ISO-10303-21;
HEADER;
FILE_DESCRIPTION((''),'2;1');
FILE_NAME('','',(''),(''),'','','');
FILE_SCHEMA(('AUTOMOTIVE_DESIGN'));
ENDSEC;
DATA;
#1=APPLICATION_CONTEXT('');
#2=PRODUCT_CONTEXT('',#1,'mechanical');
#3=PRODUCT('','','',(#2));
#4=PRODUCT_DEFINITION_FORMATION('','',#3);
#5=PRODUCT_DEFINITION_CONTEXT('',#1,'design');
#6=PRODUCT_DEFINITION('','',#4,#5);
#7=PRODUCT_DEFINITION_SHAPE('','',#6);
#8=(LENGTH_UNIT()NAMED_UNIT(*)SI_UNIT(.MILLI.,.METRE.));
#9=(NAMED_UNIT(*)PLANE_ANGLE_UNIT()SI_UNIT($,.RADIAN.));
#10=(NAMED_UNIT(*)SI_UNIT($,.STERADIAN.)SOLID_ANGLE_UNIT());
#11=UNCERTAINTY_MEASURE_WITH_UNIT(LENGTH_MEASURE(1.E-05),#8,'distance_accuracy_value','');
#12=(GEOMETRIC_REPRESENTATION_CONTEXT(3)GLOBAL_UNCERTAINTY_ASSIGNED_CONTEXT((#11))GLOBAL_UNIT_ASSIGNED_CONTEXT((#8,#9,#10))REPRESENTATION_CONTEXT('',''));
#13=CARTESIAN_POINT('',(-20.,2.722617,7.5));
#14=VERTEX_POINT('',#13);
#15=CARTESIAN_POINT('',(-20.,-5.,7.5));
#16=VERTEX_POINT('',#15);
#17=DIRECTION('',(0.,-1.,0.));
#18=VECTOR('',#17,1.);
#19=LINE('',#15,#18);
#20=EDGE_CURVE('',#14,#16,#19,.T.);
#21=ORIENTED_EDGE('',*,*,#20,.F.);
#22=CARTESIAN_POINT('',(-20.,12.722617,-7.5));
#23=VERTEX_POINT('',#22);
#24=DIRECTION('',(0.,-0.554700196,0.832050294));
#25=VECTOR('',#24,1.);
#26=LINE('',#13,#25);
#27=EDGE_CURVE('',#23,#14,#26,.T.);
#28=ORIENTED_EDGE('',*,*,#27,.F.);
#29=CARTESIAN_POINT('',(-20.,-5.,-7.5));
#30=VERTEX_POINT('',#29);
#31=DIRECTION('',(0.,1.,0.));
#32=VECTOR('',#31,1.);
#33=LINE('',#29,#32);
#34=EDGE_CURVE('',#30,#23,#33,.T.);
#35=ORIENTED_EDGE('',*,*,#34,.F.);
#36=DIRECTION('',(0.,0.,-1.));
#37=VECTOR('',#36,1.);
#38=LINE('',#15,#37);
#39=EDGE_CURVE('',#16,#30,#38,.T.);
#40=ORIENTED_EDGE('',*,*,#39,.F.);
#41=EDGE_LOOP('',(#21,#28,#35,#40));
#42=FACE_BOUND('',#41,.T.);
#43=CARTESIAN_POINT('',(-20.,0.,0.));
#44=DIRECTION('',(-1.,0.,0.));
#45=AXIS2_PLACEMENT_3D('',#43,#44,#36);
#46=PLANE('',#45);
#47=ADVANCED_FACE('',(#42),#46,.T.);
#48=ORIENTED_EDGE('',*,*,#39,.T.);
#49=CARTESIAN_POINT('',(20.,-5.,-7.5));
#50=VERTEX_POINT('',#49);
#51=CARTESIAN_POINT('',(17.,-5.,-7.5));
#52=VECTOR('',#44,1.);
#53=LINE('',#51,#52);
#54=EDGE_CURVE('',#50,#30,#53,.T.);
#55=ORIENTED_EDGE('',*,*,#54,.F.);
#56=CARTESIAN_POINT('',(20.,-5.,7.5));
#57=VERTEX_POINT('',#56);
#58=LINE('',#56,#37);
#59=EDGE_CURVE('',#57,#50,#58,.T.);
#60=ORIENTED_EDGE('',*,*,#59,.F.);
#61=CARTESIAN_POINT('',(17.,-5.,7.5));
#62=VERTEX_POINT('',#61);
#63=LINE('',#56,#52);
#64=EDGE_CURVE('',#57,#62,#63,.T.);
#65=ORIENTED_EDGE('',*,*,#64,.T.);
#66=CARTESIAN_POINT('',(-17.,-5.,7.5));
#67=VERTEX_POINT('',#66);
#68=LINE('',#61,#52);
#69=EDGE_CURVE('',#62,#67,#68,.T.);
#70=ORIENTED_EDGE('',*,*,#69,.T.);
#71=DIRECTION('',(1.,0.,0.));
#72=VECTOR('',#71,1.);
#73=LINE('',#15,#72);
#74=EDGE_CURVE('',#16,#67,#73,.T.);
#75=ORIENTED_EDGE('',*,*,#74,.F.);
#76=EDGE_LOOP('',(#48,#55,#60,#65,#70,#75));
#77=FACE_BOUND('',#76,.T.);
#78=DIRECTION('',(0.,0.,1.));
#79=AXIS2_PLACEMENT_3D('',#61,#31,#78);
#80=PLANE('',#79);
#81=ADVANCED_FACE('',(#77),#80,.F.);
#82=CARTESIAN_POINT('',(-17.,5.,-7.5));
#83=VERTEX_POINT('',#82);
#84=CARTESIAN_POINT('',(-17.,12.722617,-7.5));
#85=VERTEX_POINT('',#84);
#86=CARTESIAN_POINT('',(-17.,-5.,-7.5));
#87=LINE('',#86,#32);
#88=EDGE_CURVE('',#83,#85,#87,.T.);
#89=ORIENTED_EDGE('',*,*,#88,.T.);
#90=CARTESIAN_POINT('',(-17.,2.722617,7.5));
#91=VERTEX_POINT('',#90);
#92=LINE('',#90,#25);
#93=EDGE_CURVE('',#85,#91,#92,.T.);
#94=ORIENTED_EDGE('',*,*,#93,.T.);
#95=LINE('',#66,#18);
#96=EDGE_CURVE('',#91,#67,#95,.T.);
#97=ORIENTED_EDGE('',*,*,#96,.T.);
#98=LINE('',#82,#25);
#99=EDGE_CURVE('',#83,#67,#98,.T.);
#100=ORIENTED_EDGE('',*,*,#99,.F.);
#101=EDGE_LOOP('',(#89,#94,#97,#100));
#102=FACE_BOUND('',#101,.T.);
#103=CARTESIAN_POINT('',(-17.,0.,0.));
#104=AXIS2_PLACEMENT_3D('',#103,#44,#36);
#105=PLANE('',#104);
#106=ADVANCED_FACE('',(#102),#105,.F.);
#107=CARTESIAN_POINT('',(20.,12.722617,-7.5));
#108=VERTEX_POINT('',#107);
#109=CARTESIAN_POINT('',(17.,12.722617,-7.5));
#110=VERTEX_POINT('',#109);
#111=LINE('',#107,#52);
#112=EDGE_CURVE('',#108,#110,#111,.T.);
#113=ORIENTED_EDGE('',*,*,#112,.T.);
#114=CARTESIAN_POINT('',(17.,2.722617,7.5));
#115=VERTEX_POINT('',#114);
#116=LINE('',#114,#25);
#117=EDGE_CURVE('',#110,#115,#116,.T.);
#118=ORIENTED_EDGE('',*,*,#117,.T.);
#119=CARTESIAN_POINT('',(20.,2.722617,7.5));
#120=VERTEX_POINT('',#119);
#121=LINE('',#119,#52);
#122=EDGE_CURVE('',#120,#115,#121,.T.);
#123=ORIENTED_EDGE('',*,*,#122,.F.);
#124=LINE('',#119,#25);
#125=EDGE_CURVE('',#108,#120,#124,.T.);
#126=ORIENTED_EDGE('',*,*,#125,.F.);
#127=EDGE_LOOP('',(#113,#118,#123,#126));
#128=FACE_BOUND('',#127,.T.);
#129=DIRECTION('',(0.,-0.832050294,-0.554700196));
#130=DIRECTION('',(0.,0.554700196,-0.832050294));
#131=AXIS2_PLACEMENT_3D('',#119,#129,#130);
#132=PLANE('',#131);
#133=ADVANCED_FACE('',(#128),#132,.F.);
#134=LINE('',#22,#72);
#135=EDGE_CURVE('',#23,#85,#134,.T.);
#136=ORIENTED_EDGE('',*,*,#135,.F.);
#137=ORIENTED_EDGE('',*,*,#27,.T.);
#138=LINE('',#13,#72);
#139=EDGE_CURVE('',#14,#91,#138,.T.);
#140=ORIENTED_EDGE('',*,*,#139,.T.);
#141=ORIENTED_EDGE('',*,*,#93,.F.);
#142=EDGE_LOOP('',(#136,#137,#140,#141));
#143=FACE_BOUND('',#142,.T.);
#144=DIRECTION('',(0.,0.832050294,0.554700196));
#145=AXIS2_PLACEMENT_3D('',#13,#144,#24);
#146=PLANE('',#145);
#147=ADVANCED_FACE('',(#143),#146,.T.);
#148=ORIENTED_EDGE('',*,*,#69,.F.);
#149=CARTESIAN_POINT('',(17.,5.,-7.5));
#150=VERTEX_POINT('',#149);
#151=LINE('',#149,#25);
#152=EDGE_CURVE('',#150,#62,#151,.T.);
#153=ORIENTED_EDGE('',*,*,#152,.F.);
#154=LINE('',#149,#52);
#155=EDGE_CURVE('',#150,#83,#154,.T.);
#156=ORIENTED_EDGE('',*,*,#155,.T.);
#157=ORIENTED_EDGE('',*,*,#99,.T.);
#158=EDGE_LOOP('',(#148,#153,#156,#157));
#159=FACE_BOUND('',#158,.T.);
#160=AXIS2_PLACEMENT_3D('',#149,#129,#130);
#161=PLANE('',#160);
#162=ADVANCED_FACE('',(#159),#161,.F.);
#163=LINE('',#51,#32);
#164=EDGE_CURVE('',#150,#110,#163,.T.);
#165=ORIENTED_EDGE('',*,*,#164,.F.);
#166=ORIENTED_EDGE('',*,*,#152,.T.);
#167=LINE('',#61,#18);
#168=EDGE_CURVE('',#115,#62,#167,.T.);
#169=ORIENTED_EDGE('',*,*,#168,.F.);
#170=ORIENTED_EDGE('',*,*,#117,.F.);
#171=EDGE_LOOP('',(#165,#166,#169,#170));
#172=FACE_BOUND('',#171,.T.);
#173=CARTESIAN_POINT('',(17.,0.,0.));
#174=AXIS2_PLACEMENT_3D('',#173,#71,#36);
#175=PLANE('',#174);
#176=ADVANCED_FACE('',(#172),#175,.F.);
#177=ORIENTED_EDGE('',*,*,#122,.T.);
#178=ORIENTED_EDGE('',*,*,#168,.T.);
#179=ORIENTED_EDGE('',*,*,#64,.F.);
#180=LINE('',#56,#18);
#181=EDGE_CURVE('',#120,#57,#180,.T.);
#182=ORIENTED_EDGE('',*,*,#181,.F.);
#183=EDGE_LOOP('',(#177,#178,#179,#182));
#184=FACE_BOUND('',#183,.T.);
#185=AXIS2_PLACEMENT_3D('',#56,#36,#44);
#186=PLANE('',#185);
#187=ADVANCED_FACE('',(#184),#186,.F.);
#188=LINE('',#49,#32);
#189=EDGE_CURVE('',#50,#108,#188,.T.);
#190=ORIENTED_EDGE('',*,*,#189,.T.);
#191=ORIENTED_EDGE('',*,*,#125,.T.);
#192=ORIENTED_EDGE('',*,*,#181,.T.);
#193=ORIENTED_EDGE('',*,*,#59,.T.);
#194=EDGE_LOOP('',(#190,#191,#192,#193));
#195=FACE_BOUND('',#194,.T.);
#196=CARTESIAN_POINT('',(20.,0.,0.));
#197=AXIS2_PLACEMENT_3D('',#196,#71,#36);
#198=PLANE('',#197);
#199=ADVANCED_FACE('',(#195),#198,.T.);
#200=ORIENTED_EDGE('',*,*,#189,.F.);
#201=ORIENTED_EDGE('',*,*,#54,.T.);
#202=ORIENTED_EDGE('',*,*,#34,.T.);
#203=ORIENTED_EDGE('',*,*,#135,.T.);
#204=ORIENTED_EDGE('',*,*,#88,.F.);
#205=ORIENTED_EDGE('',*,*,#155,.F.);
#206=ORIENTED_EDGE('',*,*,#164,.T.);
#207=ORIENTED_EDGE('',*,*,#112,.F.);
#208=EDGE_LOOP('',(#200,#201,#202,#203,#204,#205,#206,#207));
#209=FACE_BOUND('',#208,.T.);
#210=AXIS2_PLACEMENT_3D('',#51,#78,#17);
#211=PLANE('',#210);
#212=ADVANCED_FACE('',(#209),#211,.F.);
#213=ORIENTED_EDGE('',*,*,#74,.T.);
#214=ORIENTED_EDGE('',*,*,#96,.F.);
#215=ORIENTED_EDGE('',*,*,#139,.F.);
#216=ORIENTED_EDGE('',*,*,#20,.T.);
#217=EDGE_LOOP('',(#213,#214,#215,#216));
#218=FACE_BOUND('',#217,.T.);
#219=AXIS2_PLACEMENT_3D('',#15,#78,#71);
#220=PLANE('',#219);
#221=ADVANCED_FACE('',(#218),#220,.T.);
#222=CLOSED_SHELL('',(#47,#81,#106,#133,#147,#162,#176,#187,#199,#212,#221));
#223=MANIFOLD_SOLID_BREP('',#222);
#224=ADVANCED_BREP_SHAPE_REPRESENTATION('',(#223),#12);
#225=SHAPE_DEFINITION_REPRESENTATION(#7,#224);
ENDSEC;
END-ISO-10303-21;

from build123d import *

# Parameters (mm, degrees)
BOSS_EXTRUDE1_DEPTH = 17
BOSS_EXTRUDE2_DEPTH = 3


with BuildPart() as part:
    # Sketch1 → Boss-Extrude1 (new body, symmetric)
    with BuildSketch(Plane(origin=(0, 0, 0), x_dir=(0, 0, -1), z_dir=(1, 0, 0))):
        Polygon((-7.5, -5), (7.5, -5), (7.5, 5), align=None)
    extrude(amount=BOSS_EXTRUDE1_DEPTH, both=True)

    # Sketch2 → Boss-Extrude2 (add)
    with BuildSketch(Plane(origin=(17, 0, 0), x_dir=(0, 0, -1), z_dir=(1, 0, 0))):
        Polygon((-7.5, -5), (-7.5, 2.722617257), (7.5, 12.722617257), (7.5, -5), align=None)
    boss_extrude2 = extrude(amount=BOSS_EXTRUDE2_DEPTH)

    # Mirror1: Boss-Extrude2 across plane
    add(boss_extrude2.mirror(Plane(origin=(0, 0, 0), x_dir=(0, 0, 1), z_dir=(1, 0, 0))))


solid = part.part
